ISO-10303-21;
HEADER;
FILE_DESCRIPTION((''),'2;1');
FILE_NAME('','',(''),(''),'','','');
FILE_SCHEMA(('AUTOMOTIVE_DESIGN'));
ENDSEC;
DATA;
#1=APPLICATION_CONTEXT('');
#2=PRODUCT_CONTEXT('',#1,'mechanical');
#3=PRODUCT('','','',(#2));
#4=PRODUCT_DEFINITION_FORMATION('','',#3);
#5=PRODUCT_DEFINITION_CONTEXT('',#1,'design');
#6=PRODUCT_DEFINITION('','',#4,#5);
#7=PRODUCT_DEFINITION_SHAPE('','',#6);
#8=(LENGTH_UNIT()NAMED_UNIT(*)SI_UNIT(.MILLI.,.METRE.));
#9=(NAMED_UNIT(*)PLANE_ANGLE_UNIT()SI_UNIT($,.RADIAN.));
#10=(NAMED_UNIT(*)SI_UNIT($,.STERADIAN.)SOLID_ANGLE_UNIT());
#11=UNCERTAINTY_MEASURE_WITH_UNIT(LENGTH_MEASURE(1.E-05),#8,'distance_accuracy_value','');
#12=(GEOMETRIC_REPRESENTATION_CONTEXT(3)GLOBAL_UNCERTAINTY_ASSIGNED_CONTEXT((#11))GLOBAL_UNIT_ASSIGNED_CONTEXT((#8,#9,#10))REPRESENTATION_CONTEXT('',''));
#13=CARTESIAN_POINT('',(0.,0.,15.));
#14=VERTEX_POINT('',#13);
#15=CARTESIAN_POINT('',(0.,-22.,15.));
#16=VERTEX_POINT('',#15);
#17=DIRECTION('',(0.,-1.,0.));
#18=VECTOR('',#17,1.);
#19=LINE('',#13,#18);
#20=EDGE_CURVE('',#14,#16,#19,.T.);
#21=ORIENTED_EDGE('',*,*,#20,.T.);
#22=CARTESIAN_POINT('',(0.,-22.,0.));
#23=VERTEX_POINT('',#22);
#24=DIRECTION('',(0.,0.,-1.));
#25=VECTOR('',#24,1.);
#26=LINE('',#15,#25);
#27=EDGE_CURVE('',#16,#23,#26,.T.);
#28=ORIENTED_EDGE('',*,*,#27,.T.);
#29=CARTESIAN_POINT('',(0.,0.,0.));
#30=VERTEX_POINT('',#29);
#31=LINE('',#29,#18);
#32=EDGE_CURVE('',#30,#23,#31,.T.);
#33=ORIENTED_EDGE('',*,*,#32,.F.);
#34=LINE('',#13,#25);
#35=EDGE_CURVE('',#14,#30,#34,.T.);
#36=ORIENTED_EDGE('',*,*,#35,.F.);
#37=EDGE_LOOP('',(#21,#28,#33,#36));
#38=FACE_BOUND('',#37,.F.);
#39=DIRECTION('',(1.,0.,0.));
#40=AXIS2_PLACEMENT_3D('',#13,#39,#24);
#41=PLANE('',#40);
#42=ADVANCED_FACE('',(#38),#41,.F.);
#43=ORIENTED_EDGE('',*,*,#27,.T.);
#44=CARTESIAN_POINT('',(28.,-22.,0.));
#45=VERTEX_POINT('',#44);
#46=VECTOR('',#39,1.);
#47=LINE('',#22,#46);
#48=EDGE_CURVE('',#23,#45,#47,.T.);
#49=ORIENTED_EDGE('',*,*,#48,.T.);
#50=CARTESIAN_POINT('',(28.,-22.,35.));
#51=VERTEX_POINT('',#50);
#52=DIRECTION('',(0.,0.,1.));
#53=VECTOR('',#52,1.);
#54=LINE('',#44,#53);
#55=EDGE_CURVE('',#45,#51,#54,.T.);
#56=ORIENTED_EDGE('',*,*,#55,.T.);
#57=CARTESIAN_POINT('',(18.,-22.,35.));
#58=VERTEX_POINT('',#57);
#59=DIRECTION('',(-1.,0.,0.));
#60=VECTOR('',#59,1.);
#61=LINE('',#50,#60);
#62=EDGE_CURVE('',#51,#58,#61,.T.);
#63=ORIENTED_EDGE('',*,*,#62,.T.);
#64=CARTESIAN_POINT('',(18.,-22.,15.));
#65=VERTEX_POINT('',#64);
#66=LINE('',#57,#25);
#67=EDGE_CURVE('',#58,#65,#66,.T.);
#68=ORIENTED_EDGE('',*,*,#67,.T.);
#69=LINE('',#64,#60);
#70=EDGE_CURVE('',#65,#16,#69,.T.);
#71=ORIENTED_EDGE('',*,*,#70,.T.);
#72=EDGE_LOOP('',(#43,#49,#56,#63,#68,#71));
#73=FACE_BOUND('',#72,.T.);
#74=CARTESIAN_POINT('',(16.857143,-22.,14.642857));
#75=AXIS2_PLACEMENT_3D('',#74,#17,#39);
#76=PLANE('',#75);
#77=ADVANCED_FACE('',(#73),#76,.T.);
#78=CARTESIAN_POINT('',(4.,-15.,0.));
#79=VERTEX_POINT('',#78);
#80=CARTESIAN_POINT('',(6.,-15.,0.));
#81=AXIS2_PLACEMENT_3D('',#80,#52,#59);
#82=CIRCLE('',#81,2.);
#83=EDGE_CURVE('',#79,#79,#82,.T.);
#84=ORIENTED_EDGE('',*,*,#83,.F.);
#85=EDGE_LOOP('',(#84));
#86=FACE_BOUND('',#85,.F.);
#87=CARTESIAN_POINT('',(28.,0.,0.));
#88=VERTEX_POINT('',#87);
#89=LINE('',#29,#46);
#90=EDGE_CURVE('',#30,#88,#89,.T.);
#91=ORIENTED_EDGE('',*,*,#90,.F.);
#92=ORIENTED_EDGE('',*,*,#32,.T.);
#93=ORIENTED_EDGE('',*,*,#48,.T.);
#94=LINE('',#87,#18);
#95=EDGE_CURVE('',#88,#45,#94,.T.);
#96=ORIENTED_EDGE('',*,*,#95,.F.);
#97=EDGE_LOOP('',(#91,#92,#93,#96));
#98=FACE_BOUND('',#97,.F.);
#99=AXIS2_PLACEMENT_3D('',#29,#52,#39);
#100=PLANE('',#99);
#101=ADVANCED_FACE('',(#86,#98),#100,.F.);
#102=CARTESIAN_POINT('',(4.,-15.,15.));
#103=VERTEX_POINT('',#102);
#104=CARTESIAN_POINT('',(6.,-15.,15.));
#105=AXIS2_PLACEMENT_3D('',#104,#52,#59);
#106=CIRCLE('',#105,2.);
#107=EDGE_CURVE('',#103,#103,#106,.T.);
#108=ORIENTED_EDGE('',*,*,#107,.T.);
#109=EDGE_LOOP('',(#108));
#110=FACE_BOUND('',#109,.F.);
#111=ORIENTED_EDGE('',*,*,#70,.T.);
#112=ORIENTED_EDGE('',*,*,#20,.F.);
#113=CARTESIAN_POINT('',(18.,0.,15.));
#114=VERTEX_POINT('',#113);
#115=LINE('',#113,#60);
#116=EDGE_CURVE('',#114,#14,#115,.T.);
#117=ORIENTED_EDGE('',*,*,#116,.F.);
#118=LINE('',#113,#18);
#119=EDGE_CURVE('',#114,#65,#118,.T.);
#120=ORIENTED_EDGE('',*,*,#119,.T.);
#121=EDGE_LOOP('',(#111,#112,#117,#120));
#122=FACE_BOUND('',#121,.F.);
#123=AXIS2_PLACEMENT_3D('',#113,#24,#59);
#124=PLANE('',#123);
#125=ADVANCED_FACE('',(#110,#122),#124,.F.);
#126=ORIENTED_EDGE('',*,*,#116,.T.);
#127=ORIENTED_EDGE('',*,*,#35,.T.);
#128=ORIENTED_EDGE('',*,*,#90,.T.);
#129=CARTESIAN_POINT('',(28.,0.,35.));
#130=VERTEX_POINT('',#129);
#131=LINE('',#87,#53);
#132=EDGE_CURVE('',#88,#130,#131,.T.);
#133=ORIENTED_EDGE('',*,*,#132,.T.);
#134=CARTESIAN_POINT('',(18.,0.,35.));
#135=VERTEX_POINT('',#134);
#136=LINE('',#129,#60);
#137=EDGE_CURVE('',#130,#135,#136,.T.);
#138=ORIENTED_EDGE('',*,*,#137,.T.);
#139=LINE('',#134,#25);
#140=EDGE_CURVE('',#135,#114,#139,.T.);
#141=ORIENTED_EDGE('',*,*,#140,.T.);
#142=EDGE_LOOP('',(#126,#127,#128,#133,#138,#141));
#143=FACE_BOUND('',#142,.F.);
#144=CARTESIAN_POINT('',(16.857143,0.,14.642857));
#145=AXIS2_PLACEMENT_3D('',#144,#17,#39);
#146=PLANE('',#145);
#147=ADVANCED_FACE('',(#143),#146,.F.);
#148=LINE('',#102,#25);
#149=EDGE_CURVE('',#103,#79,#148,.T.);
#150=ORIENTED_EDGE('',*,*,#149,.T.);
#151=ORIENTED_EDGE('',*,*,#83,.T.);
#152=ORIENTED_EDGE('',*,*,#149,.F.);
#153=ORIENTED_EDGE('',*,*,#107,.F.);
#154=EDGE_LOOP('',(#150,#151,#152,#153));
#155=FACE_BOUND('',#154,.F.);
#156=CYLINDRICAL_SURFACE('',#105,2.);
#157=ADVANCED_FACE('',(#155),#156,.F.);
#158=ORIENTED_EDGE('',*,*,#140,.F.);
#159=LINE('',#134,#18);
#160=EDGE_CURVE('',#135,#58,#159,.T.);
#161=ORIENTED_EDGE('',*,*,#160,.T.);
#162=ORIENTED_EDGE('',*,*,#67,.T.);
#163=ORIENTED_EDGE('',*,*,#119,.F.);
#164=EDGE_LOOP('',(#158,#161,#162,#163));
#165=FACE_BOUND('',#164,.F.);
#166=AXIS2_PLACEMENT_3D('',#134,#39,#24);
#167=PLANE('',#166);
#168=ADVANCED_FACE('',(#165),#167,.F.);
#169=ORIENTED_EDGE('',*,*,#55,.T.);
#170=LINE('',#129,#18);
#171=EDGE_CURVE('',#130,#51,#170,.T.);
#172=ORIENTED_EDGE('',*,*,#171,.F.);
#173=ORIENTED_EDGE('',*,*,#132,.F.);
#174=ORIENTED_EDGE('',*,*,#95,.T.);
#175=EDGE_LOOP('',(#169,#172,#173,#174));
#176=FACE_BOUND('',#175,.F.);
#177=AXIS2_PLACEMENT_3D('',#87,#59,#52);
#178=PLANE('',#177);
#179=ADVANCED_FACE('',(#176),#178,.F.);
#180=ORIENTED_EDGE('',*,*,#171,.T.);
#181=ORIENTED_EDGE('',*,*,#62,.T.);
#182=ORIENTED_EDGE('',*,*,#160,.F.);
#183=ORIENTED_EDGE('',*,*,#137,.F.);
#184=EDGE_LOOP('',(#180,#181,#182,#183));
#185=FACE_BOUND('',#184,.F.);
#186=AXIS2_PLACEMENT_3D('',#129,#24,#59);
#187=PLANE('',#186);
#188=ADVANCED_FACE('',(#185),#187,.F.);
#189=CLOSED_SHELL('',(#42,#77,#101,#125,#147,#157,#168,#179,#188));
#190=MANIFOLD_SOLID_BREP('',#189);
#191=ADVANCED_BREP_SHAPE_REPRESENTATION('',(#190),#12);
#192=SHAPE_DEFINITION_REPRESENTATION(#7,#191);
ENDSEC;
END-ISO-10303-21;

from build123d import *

# Parameters (mm, degrees)
PAD_DEPTH    = 22
SKETCH001_R  = 2
POCKET_DEPTH = 15.001


with BuildPart() as part:
    # Sketch → Pad (new body)
    with BuildSketch(Plane.XZ):
        Polygon((0, 0), (28, 0), (28, 35), (18, 35), (18, 15), (0, 15), align=None)
    extrude(amount=PAD_DEPTH)

    # Sketch001 (on Face5 of Pad) → Pocket (cut, through all)
    with BuildSketch(Plane(origin=(0, 0, 15), x_dir=(-1, 0, 0), z_dir=(0, 0, 1))):
        with Locations((-6, 15)):
            Circle(SKETCH001_R)
    extrude(amount=-POCKET_DEPTH, mode=Mode.SUBTRACT)


solid = part.part
